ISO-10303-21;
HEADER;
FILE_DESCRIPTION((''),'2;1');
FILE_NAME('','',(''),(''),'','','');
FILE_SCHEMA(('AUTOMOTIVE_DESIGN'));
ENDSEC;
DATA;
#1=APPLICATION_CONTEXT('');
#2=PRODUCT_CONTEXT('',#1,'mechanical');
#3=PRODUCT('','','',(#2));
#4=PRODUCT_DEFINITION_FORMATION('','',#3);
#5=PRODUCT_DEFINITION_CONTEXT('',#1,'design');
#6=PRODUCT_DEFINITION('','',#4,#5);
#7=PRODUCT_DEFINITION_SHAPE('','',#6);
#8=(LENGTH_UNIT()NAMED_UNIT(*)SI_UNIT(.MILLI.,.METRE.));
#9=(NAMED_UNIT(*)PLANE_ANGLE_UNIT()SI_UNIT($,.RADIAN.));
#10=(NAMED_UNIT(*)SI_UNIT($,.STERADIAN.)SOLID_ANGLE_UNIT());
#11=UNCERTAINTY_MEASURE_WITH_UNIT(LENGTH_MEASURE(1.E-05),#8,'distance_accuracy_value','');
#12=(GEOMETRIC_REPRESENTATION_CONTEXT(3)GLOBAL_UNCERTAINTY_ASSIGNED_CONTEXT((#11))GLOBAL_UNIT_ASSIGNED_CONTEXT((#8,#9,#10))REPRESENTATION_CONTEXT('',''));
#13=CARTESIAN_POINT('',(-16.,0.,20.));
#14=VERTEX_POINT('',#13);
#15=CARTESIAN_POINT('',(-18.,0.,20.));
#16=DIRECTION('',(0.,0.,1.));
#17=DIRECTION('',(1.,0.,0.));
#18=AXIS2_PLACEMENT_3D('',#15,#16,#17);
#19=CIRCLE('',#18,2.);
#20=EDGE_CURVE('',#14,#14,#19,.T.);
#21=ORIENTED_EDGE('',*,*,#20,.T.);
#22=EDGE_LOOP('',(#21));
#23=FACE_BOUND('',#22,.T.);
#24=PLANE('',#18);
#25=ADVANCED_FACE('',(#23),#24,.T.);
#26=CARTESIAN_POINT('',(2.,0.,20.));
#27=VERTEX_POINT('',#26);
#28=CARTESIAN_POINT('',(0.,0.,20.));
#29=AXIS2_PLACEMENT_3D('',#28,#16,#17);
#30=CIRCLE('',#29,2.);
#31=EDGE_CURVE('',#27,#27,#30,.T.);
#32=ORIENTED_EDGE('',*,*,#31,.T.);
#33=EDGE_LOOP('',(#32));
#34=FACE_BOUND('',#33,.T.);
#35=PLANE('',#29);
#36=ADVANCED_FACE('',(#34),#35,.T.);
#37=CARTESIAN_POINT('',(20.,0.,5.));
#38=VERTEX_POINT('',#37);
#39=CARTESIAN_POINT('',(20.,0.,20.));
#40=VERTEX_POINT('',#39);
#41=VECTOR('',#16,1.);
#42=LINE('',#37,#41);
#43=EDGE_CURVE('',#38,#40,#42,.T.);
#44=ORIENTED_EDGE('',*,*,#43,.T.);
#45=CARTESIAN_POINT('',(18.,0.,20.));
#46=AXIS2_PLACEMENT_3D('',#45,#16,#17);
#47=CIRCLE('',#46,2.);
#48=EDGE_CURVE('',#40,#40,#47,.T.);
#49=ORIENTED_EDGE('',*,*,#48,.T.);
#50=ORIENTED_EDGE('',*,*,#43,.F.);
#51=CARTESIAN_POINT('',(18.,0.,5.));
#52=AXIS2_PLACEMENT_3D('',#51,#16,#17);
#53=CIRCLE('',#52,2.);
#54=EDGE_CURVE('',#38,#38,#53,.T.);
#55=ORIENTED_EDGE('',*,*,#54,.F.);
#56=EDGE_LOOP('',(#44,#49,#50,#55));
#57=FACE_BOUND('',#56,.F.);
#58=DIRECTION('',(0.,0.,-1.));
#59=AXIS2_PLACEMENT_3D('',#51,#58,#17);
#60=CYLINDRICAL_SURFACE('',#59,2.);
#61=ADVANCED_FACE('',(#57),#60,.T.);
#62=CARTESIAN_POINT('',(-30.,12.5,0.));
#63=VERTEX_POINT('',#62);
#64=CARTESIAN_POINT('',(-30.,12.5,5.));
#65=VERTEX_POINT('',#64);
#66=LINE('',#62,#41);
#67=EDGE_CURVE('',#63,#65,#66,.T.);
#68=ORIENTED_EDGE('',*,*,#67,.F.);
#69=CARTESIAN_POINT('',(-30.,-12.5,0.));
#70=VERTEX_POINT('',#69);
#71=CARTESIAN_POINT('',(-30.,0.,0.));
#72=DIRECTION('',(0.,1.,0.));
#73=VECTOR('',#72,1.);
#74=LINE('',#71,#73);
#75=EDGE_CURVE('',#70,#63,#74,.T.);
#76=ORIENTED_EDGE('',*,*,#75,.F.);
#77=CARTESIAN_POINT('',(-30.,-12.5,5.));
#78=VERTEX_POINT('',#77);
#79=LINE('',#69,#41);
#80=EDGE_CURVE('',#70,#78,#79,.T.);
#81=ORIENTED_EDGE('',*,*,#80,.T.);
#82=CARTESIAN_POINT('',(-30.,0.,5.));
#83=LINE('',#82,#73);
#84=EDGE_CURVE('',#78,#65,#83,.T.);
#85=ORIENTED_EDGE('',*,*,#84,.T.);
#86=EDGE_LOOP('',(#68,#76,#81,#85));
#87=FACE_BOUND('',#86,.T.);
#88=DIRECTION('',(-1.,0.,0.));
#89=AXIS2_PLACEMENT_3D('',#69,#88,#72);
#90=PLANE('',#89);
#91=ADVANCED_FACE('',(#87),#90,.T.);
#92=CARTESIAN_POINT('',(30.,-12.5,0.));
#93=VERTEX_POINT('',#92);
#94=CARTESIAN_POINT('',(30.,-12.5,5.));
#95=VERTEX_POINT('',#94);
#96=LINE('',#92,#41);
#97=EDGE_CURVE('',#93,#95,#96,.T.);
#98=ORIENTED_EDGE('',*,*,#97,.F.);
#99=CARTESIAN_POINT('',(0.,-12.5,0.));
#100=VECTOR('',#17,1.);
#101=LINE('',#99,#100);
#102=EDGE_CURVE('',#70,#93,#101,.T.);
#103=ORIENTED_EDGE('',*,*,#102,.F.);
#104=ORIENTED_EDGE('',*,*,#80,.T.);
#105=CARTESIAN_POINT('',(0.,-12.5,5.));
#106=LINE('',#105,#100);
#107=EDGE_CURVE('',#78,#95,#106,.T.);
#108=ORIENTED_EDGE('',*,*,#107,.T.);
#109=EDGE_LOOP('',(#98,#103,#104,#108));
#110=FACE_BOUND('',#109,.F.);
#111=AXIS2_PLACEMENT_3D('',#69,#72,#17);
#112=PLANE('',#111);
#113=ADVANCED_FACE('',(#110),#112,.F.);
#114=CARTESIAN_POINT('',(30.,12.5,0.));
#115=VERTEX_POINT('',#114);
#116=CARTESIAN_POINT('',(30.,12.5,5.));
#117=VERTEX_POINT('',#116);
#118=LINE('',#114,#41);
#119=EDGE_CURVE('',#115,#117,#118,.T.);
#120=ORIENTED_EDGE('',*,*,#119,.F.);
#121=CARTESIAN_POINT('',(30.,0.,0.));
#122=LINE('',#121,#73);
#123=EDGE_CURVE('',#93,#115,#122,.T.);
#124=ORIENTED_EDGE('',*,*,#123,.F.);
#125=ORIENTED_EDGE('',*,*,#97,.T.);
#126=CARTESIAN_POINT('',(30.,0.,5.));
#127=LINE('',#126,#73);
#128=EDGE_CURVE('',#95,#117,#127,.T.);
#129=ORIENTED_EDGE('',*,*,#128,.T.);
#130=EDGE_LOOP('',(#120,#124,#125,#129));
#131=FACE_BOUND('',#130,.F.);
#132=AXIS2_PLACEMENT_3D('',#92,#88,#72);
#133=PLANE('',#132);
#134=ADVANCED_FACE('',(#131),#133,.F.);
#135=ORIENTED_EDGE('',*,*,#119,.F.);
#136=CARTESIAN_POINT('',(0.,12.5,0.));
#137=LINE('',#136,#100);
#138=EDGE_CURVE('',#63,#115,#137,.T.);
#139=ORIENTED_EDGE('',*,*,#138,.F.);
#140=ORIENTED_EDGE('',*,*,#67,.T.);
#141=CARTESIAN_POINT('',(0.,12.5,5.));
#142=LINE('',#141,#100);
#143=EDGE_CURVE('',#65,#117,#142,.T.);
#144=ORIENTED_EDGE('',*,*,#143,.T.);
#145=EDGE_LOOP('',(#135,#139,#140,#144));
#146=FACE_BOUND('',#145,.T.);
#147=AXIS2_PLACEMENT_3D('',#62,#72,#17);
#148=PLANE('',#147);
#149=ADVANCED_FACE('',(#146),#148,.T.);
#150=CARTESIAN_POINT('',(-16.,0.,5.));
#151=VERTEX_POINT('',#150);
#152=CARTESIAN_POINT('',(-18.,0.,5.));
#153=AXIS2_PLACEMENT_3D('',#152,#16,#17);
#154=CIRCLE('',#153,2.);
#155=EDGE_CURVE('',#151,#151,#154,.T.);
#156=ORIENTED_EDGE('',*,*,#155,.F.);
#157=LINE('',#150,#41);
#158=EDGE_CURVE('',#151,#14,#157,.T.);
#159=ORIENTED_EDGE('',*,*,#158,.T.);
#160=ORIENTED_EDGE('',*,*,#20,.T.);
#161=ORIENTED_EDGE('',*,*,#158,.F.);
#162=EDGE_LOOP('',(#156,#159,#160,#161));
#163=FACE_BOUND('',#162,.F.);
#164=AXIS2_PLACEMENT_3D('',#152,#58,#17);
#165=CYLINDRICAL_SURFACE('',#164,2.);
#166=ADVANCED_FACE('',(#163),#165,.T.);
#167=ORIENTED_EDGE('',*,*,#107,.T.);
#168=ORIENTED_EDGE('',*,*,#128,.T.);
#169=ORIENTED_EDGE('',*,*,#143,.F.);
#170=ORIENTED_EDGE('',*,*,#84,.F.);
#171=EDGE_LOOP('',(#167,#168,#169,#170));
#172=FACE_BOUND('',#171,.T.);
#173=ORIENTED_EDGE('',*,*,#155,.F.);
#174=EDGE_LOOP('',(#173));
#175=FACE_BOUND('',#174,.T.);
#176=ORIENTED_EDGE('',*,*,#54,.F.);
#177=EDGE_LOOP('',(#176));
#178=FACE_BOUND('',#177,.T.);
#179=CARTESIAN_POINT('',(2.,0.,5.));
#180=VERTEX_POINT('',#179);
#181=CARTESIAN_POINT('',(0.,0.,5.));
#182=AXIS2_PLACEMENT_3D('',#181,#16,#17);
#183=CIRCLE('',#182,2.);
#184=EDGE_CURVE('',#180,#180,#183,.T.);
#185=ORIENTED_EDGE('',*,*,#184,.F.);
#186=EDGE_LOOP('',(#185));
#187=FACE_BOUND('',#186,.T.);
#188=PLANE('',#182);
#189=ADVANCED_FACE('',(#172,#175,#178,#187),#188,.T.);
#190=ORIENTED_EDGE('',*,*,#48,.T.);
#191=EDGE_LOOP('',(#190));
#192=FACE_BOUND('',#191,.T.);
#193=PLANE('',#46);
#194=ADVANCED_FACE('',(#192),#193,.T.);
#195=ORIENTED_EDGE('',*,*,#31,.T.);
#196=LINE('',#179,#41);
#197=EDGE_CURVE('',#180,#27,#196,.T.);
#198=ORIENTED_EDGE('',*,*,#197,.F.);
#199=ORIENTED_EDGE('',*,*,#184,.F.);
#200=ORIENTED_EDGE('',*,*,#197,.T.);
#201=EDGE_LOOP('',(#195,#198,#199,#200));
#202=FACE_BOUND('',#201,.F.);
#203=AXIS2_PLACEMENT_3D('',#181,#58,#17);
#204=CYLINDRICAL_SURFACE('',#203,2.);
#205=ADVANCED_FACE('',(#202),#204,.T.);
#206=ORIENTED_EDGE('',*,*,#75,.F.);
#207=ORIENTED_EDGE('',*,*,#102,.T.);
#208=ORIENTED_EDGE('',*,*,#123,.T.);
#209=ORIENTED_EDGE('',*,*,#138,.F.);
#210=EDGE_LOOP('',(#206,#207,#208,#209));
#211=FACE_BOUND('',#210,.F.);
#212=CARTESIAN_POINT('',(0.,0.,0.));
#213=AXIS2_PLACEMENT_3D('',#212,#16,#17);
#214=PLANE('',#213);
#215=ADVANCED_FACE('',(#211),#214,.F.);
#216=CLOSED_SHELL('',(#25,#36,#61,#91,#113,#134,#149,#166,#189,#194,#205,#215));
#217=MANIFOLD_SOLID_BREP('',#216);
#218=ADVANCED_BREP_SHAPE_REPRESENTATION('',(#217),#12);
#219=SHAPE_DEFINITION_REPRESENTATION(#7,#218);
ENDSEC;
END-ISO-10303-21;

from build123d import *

# Parameters (mm, degrees)
F0_W     = 60
F0_H     = 25
F1_DEPTH = 5
F2_R     = 2
F3_DEPTH = 15
F4_R     = 2
F5_DEPTH = 15
F6_DEPTH = 15
F7_R     = 2
F8_DEPTH = 15


with BuildPart() as f1:
    # F0 (on Top) → F1 (new body)
    with BuildSketch(Plane.XY):
        Rectangle(F0_W, F0_H)
    extrude(amount=F1_DEPTH)

    # F2 (on face) → F3 (join)
    with BuildSketch(Plane.XY.offset(5)):
        Circle(F2_R)
    extrude(amount=F3_DEPTH)

    # F4 (on face) → F5 (join)
    with BuildSketch(Plane.XY.offset(5)):
        with Locations((18, 0)):
            Circle(F4_R)
    extrude(amount=F5_DEPTH)

    # F4 (on face) → F6 (join)
    with BuildSketch(Plane.XY.offset(5)):
        with Locations((18, 0)):
            Circle(F4_R)
    extrude(amount=F6_DEPTH)

    # F7 (on face) → F8 (join)
    with BuildSketch(Plane.XY.offset(5)):
        with Locations((-18, 0)):
            Circle(F7_R)
    extrude(amount=F8_DEPTH)


solid = f1.part
